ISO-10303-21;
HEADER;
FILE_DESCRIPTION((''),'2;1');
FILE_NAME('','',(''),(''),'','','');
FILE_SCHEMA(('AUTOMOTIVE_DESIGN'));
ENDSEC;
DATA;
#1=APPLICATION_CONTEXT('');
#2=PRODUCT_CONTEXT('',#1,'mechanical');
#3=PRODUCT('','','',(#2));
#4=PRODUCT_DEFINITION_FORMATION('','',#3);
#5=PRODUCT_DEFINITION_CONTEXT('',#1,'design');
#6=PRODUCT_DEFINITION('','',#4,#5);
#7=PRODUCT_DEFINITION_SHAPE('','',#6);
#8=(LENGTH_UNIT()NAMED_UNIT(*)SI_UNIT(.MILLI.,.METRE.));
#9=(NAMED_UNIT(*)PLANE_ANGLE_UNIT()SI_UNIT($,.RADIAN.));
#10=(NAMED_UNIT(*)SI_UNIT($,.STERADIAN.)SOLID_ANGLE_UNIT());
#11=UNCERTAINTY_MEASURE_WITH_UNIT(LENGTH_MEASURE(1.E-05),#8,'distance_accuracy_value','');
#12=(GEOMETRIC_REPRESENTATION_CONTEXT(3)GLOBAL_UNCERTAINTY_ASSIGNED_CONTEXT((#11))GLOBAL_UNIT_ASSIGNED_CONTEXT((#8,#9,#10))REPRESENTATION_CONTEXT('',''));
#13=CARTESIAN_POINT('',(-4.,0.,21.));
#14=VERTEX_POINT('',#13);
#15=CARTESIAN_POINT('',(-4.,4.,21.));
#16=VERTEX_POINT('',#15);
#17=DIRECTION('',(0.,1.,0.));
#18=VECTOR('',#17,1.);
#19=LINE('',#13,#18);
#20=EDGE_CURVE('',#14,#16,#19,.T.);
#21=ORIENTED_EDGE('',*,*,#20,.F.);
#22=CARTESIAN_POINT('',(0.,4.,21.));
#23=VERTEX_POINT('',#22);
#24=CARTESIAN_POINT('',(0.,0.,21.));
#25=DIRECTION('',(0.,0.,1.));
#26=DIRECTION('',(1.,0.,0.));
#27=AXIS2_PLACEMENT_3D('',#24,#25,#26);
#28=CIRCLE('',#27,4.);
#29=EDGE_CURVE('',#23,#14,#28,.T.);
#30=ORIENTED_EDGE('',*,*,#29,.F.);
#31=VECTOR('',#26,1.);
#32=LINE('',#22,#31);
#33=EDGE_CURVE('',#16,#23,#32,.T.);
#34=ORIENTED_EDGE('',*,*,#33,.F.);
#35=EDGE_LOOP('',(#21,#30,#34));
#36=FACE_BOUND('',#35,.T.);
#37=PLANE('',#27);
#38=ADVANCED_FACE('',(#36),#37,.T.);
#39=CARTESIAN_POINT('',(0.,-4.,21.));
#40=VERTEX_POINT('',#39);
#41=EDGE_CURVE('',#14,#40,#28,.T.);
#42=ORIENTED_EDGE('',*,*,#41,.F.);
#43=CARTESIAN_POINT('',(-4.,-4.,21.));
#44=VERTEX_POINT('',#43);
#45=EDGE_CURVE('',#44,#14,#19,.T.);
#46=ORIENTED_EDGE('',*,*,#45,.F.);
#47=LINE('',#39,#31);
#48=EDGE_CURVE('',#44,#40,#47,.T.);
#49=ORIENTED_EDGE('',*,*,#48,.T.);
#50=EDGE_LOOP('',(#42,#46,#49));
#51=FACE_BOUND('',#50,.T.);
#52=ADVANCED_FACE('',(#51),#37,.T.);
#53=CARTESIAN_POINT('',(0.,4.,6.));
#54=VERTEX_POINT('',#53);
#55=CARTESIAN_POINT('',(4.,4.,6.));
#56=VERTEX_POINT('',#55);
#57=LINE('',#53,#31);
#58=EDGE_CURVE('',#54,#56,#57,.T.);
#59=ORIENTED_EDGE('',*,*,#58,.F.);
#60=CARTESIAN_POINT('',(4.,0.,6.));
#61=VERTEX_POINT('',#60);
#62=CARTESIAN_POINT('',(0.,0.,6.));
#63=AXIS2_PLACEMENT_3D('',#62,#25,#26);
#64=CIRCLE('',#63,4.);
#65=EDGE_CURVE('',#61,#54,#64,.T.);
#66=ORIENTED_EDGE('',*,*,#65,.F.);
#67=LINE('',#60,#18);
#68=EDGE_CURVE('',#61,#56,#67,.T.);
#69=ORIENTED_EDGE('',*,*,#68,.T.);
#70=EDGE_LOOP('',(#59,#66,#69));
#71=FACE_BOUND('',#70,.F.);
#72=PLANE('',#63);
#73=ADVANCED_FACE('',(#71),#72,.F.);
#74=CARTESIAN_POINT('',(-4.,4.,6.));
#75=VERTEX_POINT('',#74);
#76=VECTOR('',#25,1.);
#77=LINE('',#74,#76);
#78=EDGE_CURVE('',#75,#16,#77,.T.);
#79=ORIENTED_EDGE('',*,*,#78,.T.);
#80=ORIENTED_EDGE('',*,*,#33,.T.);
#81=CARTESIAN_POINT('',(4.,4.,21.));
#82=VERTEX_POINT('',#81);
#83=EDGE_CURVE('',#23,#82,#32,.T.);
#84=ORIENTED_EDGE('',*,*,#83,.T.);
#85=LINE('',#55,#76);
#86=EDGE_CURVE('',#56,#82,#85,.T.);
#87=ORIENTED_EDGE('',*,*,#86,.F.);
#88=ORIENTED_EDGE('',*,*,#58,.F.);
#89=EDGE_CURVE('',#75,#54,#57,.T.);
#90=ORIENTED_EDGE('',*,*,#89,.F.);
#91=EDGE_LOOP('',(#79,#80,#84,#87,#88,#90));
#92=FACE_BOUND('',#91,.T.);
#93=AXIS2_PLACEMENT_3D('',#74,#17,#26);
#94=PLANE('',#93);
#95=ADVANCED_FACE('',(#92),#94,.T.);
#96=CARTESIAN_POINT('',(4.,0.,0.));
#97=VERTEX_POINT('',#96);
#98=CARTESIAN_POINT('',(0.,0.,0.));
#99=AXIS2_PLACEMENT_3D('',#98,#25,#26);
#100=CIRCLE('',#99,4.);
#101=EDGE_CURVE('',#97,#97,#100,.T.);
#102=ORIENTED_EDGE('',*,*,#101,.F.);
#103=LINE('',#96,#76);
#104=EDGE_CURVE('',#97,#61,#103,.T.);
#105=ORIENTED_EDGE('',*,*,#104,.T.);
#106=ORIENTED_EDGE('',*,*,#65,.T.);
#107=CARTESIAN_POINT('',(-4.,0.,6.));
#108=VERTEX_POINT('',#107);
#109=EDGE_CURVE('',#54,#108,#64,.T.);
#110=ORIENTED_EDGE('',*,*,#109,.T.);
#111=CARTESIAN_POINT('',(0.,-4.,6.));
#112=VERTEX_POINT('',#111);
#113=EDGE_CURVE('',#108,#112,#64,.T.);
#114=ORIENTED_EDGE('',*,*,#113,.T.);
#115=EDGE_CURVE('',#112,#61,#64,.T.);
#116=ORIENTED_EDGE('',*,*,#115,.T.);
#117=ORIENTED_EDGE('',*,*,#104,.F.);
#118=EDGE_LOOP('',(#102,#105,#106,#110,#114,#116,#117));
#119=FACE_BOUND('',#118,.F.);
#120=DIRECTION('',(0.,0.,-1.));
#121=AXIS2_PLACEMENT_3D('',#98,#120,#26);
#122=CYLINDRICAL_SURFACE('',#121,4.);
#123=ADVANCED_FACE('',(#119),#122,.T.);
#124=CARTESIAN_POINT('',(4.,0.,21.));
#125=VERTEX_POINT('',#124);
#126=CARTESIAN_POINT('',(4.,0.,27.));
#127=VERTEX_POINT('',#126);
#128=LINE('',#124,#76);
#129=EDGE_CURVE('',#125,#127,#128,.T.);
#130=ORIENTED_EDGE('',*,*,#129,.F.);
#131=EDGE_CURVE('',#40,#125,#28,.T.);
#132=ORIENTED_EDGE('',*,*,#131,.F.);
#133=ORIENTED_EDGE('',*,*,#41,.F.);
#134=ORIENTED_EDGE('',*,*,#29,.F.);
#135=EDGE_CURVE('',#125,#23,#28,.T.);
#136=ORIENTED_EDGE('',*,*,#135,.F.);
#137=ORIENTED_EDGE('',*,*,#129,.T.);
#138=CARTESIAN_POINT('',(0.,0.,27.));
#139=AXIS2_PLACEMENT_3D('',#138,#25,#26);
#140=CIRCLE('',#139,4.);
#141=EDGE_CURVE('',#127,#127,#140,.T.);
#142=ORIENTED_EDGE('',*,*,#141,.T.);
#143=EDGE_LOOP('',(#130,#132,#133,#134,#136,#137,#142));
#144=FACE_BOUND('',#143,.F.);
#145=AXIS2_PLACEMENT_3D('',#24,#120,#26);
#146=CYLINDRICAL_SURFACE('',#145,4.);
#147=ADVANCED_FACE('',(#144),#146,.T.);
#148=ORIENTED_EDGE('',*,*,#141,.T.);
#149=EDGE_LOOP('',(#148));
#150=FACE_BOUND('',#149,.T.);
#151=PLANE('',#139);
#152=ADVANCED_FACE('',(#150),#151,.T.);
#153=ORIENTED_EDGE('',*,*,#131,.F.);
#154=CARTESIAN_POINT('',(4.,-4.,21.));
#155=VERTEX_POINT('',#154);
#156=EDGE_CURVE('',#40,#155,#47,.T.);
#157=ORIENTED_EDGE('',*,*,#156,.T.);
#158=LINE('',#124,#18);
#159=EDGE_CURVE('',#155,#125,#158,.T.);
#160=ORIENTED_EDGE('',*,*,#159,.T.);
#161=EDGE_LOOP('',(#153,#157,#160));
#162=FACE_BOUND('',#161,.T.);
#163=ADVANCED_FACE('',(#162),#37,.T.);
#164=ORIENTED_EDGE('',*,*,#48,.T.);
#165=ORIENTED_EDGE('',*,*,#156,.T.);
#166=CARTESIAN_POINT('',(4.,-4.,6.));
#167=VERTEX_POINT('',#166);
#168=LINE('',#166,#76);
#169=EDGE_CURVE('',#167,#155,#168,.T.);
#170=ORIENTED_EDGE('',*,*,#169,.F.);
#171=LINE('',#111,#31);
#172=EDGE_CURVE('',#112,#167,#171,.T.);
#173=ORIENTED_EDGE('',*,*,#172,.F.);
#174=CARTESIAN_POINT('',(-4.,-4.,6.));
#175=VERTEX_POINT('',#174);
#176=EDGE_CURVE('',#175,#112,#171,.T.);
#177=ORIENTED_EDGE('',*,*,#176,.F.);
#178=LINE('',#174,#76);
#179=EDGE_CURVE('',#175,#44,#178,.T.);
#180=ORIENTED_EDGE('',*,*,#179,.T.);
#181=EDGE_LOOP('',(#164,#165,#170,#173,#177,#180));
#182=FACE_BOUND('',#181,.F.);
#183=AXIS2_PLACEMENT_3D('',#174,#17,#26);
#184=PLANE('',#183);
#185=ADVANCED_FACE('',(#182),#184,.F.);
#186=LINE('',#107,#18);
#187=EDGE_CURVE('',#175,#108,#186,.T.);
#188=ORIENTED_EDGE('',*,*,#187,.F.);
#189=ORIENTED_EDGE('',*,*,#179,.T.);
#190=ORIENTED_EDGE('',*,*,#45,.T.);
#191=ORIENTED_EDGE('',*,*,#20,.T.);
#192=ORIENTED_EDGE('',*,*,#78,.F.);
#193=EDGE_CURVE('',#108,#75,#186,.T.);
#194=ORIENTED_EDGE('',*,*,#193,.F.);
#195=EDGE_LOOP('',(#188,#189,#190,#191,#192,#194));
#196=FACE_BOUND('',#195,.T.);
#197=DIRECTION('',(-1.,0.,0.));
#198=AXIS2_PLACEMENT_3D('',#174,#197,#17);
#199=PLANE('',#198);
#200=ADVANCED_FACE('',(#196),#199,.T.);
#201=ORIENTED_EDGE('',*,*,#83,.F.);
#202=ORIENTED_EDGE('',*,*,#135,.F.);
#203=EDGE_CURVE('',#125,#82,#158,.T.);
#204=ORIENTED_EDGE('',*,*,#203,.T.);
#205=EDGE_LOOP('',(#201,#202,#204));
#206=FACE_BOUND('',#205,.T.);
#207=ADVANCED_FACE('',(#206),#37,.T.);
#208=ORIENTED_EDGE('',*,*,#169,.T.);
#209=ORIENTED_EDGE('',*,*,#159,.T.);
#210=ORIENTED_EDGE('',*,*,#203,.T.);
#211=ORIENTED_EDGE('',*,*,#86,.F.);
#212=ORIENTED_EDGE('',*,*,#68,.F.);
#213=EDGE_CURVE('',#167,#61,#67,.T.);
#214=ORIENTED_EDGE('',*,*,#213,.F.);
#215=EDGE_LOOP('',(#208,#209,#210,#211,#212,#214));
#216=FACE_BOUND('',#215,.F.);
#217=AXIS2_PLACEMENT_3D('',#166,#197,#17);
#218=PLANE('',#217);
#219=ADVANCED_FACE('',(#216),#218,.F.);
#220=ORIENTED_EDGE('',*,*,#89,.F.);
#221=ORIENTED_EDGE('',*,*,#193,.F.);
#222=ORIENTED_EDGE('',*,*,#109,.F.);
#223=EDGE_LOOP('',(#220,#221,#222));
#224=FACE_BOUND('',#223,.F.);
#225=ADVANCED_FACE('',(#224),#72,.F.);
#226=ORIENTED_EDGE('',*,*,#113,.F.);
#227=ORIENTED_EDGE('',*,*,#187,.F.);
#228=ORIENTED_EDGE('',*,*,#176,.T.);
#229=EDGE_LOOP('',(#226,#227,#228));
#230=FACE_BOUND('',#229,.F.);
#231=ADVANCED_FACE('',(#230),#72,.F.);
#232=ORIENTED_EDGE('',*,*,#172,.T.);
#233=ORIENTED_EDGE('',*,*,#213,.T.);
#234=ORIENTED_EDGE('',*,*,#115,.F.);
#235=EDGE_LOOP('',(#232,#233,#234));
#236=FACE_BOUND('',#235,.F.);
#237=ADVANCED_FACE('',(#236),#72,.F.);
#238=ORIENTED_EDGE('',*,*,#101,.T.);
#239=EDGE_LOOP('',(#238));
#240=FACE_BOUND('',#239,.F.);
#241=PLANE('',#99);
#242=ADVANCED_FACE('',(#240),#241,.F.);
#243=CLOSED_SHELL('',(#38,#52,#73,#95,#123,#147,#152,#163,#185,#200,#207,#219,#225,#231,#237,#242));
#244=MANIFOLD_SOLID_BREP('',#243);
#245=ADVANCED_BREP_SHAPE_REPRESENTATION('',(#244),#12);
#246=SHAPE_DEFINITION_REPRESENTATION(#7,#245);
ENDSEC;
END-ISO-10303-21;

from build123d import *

# Parameters (mm, degrees)
F0_R     = 4
F1_DEPTH = 6
F2_W     = 8
F2_H     = 8
F3_DEPTH = 15
F4_R     = 4
F5_DEPTH = 6


with BuildPart() as f1:
    # F0 (on Top) → F1 (new body)
    with BuildSketch(Plane.XY):
        Circle(F0_R)
    extrude(amount=F1_DEPTH)

    # F2 (on face) → F3 (join)
    with BuildSketch(Plane.XY.offset(6)):
        Rectangle(F2_W, F2_H)
    extrude(amount=F3_DEPTH)

    # F4 (on face) → F5 (join)
    with BuildSketch(Plane.XY.offset(21)):
        Circle(F4_R)
    extrude(amount=F5_DEPTH)


solid = f1.part
